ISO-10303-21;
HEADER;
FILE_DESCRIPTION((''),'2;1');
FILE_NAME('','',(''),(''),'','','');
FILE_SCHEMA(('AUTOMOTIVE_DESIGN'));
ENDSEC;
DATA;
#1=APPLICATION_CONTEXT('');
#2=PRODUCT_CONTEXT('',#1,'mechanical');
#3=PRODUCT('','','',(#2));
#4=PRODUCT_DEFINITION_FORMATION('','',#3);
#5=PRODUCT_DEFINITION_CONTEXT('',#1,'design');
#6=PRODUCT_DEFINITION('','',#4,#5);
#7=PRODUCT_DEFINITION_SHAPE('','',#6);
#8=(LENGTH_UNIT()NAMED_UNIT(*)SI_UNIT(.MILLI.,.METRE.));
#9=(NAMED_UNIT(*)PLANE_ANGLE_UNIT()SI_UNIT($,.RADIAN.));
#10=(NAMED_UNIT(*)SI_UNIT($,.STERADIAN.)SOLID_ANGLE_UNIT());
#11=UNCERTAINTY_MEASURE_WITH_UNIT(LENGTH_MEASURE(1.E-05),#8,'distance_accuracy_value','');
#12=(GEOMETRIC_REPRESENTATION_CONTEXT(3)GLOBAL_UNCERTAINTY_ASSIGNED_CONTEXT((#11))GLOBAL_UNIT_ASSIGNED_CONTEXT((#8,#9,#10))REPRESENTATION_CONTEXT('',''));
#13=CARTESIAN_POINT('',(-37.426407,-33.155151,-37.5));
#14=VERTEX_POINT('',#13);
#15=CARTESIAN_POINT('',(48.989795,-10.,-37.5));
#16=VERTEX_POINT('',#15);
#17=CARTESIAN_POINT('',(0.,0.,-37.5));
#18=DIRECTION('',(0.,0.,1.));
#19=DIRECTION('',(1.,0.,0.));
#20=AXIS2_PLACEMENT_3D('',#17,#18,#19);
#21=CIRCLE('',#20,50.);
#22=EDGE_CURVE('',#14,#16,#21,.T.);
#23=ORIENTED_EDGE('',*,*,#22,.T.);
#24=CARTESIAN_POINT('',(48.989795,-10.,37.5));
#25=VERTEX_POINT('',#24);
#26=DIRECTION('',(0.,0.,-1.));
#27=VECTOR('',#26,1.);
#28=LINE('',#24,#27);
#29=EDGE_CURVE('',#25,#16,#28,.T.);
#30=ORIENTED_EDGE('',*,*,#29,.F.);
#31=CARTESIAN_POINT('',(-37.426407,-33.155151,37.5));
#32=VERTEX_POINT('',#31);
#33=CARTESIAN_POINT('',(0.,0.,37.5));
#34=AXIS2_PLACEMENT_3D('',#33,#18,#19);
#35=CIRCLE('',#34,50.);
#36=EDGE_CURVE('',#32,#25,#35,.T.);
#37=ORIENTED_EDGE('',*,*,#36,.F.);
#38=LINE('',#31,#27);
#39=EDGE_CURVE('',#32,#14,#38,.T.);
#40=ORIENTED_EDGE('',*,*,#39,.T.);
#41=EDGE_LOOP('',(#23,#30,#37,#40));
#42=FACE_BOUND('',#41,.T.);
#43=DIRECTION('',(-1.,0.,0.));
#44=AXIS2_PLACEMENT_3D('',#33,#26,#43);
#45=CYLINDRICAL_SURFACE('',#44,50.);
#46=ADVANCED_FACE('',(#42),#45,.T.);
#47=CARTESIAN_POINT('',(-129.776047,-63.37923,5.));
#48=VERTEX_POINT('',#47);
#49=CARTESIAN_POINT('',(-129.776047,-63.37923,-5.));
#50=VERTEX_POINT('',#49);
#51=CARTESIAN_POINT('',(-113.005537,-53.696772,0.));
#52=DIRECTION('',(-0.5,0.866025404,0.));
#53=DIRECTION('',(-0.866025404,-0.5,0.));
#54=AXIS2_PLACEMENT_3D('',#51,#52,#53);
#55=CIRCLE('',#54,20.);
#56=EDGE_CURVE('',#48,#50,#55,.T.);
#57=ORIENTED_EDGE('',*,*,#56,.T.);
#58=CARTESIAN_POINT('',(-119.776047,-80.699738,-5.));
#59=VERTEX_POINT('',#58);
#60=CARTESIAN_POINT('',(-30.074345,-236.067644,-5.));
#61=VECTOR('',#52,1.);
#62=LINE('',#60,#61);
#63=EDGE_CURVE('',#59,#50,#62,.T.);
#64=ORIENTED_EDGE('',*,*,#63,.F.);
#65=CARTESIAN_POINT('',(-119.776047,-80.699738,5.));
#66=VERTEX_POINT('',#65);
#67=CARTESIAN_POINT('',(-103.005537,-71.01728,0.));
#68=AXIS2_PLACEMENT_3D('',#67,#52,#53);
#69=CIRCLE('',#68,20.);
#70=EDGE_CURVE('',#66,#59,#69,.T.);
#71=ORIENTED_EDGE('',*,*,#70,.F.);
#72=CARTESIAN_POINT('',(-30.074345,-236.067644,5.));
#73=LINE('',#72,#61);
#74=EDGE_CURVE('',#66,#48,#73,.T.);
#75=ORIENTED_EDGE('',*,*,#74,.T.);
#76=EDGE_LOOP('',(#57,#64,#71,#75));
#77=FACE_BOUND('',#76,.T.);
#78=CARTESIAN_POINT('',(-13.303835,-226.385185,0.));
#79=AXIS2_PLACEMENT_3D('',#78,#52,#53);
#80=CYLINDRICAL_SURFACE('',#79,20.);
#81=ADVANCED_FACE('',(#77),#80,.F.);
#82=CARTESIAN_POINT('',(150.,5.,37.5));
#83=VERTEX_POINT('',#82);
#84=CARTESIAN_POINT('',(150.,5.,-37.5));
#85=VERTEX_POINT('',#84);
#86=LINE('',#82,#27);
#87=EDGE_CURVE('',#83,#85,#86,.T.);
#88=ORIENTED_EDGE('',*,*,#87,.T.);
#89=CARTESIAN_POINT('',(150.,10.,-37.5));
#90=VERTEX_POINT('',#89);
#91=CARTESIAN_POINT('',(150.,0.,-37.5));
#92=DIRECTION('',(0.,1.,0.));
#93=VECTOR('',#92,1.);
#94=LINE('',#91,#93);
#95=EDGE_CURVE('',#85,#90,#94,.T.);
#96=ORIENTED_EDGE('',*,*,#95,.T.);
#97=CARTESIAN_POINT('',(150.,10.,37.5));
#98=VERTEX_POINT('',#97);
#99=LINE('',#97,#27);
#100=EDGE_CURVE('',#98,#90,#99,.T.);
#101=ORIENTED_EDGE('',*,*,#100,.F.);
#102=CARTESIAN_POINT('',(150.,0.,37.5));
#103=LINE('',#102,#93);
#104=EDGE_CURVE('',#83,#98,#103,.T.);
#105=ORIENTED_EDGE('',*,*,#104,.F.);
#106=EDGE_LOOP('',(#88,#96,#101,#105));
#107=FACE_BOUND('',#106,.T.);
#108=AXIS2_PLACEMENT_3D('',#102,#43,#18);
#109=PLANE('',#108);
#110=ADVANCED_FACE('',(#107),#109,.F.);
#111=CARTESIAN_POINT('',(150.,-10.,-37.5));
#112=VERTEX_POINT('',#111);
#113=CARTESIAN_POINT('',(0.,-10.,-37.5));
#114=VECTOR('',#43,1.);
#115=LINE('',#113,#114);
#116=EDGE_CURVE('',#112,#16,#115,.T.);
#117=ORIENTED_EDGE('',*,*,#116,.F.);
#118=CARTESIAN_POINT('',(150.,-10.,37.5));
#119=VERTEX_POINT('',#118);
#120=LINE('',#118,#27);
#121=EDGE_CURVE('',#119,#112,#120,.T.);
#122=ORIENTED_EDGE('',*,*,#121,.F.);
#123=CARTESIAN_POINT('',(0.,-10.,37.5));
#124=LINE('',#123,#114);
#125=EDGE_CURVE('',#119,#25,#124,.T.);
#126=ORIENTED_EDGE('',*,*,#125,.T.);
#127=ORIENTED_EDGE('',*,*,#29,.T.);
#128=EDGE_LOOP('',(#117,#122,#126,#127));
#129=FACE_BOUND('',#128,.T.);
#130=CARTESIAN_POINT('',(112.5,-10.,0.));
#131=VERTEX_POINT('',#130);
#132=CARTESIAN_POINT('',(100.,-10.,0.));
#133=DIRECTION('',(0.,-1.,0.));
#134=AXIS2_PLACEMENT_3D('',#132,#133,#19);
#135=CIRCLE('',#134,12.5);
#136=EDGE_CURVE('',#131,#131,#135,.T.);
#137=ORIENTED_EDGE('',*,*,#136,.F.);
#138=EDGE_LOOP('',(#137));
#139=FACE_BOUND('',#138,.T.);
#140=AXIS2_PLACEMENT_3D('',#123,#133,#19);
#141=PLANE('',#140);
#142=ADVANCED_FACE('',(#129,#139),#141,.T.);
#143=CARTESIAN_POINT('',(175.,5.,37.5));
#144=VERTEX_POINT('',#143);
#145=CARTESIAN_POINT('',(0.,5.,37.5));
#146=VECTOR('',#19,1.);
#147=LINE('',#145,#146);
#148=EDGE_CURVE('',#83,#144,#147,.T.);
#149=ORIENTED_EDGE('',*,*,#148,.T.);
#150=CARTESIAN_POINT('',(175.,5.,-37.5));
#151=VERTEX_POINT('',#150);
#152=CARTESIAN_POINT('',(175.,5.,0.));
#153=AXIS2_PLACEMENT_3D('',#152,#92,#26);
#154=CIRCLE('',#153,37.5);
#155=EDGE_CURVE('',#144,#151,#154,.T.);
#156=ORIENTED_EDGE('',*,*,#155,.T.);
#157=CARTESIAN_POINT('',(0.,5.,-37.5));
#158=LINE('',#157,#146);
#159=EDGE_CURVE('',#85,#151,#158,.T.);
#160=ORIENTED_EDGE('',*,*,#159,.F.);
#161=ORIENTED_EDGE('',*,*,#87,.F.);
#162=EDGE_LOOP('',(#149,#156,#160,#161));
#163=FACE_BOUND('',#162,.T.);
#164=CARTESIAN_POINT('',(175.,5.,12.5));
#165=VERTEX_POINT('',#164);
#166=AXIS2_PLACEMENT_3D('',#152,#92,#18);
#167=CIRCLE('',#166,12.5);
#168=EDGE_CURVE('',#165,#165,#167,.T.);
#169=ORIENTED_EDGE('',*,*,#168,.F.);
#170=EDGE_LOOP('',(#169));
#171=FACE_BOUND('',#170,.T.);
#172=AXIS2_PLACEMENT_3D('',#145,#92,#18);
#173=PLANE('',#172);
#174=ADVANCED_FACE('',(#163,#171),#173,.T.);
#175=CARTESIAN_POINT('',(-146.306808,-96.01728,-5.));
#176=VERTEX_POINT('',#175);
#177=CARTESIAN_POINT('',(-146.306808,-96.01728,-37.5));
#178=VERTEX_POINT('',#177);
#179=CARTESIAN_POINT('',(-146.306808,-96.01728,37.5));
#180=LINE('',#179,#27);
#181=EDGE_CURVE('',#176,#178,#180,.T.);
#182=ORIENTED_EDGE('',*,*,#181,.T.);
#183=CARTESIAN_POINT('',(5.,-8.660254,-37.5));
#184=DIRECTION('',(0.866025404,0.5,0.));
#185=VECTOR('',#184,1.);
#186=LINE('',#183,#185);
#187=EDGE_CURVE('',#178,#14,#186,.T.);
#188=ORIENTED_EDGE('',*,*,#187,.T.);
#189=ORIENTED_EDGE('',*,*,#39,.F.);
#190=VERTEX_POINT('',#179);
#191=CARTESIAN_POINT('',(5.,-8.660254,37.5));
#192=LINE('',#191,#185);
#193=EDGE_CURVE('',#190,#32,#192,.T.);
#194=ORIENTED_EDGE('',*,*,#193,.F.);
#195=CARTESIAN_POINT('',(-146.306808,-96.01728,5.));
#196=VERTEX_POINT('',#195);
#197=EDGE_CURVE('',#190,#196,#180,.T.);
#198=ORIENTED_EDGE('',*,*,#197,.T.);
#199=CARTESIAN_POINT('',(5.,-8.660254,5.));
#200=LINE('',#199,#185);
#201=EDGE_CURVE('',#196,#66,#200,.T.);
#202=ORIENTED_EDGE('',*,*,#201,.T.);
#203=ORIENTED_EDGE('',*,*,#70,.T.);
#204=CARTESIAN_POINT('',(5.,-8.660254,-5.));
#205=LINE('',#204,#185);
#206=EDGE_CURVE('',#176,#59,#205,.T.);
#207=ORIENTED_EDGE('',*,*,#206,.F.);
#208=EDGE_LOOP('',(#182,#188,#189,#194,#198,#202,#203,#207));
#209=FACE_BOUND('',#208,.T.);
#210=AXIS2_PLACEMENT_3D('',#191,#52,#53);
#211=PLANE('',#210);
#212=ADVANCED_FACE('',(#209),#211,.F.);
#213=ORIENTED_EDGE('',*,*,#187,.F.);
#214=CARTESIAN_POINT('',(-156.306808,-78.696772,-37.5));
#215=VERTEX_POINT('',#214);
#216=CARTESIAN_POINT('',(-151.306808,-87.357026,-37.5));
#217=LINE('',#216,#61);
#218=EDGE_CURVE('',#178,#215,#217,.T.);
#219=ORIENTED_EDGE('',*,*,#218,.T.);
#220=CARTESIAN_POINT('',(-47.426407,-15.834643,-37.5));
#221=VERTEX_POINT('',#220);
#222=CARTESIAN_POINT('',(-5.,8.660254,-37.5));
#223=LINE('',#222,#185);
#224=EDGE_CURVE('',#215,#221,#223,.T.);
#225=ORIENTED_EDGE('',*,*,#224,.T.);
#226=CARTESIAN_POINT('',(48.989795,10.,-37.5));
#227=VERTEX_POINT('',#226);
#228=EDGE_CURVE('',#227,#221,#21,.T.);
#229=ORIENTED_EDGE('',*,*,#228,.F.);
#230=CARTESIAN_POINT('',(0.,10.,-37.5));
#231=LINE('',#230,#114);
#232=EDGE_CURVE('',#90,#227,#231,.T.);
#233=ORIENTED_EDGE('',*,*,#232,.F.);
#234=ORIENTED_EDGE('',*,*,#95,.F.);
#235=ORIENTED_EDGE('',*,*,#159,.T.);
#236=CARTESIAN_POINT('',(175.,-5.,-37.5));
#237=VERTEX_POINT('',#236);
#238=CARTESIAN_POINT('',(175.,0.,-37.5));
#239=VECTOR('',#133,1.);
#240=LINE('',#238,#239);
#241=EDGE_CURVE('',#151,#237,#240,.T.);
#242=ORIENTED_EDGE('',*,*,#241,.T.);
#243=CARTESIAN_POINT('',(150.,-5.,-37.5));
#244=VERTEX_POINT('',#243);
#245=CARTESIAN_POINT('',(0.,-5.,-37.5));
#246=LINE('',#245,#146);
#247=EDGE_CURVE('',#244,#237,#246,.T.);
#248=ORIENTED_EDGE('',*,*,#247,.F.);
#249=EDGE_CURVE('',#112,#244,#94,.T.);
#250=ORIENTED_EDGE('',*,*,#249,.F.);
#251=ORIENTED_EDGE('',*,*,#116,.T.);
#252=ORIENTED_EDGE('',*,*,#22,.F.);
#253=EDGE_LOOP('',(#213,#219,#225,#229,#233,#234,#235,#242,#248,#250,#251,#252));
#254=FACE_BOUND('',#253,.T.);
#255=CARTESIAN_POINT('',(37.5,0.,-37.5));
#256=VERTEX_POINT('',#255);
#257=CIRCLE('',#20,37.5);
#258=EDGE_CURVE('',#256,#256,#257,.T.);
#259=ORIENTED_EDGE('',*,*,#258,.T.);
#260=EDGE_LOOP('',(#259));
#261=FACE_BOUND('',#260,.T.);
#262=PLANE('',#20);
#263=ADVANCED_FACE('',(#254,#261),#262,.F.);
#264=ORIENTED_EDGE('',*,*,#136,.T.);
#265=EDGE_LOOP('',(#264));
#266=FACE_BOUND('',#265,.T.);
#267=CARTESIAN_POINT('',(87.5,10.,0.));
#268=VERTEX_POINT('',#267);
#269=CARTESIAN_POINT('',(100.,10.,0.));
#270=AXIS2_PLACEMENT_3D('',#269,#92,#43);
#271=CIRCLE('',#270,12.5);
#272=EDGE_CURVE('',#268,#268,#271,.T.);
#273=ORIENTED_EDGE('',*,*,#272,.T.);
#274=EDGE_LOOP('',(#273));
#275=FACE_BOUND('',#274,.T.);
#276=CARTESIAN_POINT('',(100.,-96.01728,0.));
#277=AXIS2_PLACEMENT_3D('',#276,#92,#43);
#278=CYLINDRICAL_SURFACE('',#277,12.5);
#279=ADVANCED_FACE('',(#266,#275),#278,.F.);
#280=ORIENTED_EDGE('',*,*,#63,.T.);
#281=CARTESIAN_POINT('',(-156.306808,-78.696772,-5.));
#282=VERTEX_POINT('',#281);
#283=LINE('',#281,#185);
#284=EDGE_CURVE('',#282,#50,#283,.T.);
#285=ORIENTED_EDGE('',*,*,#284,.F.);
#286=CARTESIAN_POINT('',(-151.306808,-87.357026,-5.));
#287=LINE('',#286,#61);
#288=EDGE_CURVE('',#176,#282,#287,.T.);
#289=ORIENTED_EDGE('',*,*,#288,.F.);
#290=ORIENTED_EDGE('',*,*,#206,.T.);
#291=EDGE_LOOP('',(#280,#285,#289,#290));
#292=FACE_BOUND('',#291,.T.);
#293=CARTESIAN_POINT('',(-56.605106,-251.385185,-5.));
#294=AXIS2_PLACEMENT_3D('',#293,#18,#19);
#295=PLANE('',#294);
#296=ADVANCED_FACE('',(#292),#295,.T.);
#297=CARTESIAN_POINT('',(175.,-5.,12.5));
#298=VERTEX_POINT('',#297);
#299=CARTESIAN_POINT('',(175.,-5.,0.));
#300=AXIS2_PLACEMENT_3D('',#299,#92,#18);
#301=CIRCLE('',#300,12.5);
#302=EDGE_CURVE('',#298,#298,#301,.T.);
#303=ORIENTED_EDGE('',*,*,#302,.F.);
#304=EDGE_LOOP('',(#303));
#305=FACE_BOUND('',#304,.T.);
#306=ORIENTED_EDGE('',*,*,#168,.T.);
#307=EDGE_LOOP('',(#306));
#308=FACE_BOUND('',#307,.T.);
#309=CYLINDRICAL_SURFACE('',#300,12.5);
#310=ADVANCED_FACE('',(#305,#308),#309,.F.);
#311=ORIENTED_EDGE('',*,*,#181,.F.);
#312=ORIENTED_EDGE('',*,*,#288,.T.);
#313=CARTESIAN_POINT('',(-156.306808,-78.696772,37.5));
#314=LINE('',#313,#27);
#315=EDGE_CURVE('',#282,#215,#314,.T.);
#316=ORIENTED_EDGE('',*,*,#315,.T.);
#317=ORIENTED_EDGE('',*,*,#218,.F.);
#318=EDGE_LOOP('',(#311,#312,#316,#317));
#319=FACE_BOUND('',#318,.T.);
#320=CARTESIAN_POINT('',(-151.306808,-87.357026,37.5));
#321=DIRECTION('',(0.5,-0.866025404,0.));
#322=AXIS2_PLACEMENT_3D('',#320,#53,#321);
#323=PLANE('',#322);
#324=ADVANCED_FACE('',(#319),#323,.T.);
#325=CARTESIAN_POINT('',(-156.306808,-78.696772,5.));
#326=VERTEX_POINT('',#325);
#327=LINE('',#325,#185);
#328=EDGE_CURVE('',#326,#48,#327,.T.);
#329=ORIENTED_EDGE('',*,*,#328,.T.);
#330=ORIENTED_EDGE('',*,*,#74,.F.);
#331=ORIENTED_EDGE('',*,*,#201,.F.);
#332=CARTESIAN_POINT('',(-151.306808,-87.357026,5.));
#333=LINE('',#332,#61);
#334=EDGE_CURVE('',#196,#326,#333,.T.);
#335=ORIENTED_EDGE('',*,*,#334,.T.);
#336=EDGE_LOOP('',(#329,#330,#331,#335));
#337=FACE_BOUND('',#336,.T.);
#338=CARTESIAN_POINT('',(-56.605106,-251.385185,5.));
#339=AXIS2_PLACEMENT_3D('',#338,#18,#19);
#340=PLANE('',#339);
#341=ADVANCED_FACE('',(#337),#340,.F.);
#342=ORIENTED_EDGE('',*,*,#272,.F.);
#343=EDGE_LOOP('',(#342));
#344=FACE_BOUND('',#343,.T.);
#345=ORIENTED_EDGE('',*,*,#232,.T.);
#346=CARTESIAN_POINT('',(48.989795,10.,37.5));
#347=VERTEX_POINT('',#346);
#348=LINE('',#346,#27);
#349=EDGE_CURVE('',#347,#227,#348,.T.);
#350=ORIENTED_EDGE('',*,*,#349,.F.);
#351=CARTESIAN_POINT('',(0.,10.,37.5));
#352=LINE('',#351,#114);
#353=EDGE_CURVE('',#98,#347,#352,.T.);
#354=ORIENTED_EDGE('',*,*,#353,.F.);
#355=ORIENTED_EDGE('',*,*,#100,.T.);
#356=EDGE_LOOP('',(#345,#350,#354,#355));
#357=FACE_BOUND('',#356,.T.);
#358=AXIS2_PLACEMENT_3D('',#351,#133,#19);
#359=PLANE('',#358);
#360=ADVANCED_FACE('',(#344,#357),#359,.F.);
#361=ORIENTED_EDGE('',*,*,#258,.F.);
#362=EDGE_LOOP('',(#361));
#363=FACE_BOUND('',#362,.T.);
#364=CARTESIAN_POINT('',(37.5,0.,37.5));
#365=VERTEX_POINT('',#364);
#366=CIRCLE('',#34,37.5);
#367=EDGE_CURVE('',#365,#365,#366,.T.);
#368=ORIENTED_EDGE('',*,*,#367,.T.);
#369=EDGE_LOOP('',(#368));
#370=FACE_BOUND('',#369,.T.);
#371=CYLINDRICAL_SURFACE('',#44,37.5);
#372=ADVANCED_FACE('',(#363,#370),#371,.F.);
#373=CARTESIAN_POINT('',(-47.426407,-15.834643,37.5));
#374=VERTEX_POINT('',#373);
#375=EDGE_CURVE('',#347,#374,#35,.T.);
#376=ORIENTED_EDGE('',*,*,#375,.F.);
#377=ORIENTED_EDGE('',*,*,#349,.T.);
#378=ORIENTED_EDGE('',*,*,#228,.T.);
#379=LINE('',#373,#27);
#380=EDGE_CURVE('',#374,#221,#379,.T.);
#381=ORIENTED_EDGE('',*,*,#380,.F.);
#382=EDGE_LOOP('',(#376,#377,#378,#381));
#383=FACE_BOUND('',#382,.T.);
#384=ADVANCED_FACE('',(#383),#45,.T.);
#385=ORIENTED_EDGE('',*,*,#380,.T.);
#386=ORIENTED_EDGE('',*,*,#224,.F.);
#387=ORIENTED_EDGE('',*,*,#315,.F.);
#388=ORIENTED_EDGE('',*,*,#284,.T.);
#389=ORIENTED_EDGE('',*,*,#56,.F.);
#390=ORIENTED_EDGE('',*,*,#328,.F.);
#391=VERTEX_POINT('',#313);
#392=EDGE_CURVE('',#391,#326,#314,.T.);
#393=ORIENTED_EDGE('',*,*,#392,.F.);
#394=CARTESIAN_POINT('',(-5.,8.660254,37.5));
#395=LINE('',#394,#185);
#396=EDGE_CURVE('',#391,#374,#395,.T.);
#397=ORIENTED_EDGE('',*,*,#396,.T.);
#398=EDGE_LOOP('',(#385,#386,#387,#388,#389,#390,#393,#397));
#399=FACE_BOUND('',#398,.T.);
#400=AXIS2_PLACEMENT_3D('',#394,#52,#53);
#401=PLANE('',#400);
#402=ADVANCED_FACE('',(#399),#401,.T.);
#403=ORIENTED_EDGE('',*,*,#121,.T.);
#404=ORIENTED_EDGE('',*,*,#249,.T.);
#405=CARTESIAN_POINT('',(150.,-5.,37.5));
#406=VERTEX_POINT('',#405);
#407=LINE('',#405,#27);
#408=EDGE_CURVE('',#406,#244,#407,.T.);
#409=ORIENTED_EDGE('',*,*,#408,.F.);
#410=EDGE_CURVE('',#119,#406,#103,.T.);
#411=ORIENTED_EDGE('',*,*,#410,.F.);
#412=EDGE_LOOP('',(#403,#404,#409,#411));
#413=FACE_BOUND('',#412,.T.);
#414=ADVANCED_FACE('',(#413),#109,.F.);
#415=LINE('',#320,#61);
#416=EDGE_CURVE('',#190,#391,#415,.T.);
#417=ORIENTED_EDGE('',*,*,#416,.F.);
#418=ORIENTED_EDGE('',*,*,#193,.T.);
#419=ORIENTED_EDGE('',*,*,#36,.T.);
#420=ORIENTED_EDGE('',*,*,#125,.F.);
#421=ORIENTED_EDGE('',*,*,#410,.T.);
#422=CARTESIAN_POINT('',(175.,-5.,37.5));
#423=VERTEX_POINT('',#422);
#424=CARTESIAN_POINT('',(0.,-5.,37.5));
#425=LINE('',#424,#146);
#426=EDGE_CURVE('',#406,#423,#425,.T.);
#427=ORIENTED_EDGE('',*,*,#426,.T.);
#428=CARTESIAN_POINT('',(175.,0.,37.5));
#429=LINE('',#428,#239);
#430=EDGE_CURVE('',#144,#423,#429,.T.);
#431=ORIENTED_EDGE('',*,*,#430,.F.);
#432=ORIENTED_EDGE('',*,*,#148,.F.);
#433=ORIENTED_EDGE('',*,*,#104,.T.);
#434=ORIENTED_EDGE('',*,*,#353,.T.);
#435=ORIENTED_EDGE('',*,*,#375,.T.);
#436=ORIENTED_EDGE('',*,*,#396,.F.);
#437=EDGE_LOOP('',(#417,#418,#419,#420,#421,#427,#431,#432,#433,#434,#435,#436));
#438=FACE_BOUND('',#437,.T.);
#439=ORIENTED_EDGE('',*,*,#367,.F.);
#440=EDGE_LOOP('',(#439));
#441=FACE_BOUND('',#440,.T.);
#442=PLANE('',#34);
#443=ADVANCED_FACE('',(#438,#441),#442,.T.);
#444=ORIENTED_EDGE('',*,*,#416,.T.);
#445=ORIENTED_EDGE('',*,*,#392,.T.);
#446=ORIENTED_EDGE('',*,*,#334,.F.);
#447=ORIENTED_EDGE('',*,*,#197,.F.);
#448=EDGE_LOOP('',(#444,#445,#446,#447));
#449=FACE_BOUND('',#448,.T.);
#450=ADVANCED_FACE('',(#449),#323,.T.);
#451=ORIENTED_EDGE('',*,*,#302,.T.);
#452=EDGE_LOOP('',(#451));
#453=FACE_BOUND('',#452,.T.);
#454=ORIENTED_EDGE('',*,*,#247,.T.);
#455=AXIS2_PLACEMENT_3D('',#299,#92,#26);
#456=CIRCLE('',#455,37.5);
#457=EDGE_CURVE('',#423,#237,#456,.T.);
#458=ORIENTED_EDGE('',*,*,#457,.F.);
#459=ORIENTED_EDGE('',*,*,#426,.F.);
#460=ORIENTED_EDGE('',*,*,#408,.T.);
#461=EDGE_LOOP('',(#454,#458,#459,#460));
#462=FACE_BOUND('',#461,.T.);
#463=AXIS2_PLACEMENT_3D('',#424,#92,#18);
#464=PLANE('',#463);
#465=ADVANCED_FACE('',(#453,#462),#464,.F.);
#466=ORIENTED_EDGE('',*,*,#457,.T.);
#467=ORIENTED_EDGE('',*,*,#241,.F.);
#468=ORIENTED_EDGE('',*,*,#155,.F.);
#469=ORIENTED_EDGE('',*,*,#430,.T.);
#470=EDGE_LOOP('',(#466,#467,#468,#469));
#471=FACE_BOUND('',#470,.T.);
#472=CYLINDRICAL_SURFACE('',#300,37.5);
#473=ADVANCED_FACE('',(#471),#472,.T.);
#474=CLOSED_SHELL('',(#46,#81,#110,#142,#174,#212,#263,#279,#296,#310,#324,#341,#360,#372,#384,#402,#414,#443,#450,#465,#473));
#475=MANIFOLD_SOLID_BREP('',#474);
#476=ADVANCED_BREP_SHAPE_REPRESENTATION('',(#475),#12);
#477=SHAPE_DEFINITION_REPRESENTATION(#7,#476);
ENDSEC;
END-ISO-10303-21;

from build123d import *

# Parameters (mm, degrees)
IZIM1_R                     = 50
IZIM1_R_2                   = 37.5
IZIM1_W                     = 25
IZIM1_H                     = 10
Y_KSEKLIK_EKSTR_ZYON1_DEPTH = 37.5
Y_KSEKLIK_EKSTR_ZYON2_DEPTH = 10
IZIM3_R                     = 12.5
KES_EKSTR_ZYON1_DEPTH       = 10
IZIM4_R                     = 12.5
KES_EKSTR_ZYON2_DEPTH       = 107.017280086
KES_EKSTR_ZYON3_DEPTH       = 200.403403757


with BuildPart() as part:
    # Çizim1 → Yükseklik-Ekstrüzyon1 (new body, symmetric)
    with BuildSketch(Plane.XY):
        with BuildLine():
            Line((-156.306807514, -78.69677201), (-146.306807514, -96.017280086))
            Line((-146.306807514, -96.017280086), (-37.426406871, -33.155151466))
            ThreePointArc((-37.426406871, -33.155151466), (-43.301270189, -25), (-47.426406871, -15.83464339))
            Line((-47.426406871, -15.83464339), (-156.306807514, -78.69677201))
        make_face()
        Circle(IZIM1_R)
        Circle(IZIM1_R_2, mode=Mode.SUBTRACT)
        with BuildLine():
            ThreePointArc((50, 0), (49.74680765, -5.0254481), (48.989794856, -10))
            Line((48.989794856, -10), (150, -10))
            Line((150, -10), (150, -5))
            Line((150, -5), (150, 5))
            Line((150, 5), (150, 10))
            Line((150, 10), (48.989794856, 10))
            ThreePointArc((48.989794856, 10), (49.74680765, 5.0254481), (50, 0))
        make_face()
        with Locations((162.5, 0)):
            Rectangle(IZIM1_W, IZIM1_H)
    extrude(amount=Y_KSEKLIK_EKSTR_ZYON1_DEPTH, both=True)

    # Çizim2 → Yükseklik-Ekstrüzyon2 (add)
    with BuildSketch(Plane(origin=(0, 5, 0), x_dir=(1, 0, 0), z_dir=(0, 1, 0))):
        with BuildLine():
            Line((175, 37.5), (175, -37.5))
            ThreePointArc((175, -37.5), (212.5, 0), (175, 37.5))
        make_face()
    extrude(amount=-Y_KSEKLIK_EKSTR_ZYON2_DEPTH)

    # Çizim3 → Kes-Ekstrüzyon1 (cut)
    with BuildSketch(Plane(origin=(0, 5, 0), x_dir=(1, 0, 0), z_dir=(0, 1, 0))):
        with Locations((175, 0)):
            Circle(IZIM3_R)
    extrude(amount=-KES_EKSTR_ZYON1_DEPTH, mode=Mode.SUBTRACT)

    # Çizim4 → Kes-Ekstrüzyon2 (cut, through all)
    with BuildSketch(Plane(origin=(0, 10, 0), x_dir=(1, 0, 0), z_dir=(0, 1, 0))):
        with Locations((100, 0)):
            Circle(IZIM4_R)
    extrude(amount=-KES_EKSTR_ZYON2_DEPTH, mode=Mode.SUBTRACT)

    # Çizim5 → Kes-Ekstrüzyon3 (cut, through all)
    with BuildSketch(Plane(origin=(-5, 8.660254038, 0), x_dir=(0.866025404, 0.5, 0), z_dir=(-0.5, 0.866025404, 0))):
        with BuildLine():
            Line((-174.714052097, 5), (-174.714052097, -5))
            Line((-174.714052097, -5), (-144.078968828, -5))
            ThreePointArc((-144.078968828, -5), (-104.714052097, 0), (-144.078968828, 5))
            Line((-144.078968828, 5), (-174.714052097, 5))
        make_face()
    extrude(amount=-KES_EKSTR_ZYON3_DEPTH, mode=Mode.SUBTRACT)


solid = part.part
